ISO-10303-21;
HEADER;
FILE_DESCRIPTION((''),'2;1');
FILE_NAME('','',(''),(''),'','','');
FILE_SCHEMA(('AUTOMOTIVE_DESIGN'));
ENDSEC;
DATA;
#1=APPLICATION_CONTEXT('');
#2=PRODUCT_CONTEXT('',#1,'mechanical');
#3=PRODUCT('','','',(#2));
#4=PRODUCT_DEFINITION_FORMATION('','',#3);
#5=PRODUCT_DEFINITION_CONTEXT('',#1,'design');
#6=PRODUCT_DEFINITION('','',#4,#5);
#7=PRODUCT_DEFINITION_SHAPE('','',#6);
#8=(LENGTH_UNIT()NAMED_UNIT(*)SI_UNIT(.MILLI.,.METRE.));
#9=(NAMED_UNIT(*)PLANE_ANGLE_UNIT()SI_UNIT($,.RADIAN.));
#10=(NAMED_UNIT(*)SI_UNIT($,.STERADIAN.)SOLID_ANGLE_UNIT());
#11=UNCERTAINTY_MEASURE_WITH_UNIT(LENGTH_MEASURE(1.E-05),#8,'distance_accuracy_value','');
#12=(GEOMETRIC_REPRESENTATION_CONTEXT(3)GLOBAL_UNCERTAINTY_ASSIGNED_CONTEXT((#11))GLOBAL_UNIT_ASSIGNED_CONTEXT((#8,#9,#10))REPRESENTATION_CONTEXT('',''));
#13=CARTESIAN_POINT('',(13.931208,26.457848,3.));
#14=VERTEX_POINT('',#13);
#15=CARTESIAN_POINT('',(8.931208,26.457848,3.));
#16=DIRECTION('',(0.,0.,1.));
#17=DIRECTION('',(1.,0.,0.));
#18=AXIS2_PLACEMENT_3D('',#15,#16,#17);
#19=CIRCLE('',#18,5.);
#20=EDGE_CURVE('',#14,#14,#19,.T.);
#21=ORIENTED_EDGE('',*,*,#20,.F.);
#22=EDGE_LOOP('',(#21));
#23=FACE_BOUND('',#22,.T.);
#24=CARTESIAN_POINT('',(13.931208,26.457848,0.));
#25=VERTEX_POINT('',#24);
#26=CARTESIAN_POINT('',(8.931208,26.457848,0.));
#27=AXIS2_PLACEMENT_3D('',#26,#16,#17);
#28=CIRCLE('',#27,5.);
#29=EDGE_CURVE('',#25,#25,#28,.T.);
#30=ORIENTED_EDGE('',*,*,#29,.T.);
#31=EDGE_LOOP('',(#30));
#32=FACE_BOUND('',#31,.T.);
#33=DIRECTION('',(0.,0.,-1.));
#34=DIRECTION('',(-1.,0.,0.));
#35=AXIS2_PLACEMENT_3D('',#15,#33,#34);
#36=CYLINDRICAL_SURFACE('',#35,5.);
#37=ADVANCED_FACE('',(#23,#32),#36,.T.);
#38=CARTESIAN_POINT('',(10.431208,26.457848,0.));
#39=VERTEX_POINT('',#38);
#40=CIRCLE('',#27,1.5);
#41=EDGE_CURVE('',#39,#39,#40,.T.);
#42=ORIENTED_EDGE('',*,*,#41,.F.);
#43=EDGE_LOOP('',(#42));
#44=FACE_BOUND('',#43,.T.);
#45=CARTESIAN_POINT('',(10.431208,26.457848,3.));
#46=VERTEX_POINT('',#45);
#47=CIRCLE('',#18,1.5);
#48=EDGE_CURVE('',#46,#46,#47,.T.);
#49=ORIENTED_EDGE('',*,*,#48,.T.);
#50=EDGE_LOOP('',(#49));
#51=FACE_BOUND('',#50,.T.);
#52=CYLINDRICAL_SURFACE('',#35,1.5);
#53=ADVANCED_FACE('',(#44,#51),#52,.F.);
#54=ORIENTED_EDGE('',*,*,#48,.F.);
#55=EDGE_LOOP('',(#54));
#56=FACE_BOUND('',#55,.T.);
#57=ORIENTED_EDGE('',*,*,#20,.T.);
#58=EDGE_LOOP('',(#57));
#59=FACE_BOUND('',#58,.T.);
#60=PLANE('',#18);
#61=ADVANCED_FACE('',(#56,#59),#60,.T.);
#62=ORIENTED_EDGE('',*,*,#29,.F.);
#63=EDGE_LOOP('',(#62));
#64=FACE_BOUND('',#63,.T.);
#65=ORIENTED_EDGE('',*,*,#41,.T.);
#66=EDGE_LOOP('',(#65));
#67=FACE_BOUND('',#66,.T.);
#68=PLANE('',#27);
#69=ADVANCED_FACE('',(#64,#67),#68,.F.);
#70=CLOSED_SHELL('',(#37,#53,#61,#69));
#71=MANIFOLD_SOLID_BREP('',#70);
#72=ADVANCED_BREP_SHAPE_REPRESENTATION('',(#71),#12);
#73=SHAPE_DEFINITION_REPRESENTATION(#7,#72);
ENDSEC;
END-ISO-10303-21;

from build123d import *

# Parameters (mm, degrees)
ESQUISSE3_R        = 5
ESQUISSE3_R_2      = 1.5
BOSS_EXTRU_3_DEPTH = 3


with BuildPart() as part:
    # Esquisse3 → Boss.-Extru.3 (new body)
    with BuildSketch(Plane.XY):
        with Locations((8.931208429, 26.457848162)):
            Circle(ESQUISSE3_R)
        with Locations((8.931208429, 26.457848162)):
            Circle(ESQUISSE3_R_2, mode=Mode.SUBTRACT)
    extrude(amount=BOSS_EXTRU_3_DEPTH)


solid = part.part
